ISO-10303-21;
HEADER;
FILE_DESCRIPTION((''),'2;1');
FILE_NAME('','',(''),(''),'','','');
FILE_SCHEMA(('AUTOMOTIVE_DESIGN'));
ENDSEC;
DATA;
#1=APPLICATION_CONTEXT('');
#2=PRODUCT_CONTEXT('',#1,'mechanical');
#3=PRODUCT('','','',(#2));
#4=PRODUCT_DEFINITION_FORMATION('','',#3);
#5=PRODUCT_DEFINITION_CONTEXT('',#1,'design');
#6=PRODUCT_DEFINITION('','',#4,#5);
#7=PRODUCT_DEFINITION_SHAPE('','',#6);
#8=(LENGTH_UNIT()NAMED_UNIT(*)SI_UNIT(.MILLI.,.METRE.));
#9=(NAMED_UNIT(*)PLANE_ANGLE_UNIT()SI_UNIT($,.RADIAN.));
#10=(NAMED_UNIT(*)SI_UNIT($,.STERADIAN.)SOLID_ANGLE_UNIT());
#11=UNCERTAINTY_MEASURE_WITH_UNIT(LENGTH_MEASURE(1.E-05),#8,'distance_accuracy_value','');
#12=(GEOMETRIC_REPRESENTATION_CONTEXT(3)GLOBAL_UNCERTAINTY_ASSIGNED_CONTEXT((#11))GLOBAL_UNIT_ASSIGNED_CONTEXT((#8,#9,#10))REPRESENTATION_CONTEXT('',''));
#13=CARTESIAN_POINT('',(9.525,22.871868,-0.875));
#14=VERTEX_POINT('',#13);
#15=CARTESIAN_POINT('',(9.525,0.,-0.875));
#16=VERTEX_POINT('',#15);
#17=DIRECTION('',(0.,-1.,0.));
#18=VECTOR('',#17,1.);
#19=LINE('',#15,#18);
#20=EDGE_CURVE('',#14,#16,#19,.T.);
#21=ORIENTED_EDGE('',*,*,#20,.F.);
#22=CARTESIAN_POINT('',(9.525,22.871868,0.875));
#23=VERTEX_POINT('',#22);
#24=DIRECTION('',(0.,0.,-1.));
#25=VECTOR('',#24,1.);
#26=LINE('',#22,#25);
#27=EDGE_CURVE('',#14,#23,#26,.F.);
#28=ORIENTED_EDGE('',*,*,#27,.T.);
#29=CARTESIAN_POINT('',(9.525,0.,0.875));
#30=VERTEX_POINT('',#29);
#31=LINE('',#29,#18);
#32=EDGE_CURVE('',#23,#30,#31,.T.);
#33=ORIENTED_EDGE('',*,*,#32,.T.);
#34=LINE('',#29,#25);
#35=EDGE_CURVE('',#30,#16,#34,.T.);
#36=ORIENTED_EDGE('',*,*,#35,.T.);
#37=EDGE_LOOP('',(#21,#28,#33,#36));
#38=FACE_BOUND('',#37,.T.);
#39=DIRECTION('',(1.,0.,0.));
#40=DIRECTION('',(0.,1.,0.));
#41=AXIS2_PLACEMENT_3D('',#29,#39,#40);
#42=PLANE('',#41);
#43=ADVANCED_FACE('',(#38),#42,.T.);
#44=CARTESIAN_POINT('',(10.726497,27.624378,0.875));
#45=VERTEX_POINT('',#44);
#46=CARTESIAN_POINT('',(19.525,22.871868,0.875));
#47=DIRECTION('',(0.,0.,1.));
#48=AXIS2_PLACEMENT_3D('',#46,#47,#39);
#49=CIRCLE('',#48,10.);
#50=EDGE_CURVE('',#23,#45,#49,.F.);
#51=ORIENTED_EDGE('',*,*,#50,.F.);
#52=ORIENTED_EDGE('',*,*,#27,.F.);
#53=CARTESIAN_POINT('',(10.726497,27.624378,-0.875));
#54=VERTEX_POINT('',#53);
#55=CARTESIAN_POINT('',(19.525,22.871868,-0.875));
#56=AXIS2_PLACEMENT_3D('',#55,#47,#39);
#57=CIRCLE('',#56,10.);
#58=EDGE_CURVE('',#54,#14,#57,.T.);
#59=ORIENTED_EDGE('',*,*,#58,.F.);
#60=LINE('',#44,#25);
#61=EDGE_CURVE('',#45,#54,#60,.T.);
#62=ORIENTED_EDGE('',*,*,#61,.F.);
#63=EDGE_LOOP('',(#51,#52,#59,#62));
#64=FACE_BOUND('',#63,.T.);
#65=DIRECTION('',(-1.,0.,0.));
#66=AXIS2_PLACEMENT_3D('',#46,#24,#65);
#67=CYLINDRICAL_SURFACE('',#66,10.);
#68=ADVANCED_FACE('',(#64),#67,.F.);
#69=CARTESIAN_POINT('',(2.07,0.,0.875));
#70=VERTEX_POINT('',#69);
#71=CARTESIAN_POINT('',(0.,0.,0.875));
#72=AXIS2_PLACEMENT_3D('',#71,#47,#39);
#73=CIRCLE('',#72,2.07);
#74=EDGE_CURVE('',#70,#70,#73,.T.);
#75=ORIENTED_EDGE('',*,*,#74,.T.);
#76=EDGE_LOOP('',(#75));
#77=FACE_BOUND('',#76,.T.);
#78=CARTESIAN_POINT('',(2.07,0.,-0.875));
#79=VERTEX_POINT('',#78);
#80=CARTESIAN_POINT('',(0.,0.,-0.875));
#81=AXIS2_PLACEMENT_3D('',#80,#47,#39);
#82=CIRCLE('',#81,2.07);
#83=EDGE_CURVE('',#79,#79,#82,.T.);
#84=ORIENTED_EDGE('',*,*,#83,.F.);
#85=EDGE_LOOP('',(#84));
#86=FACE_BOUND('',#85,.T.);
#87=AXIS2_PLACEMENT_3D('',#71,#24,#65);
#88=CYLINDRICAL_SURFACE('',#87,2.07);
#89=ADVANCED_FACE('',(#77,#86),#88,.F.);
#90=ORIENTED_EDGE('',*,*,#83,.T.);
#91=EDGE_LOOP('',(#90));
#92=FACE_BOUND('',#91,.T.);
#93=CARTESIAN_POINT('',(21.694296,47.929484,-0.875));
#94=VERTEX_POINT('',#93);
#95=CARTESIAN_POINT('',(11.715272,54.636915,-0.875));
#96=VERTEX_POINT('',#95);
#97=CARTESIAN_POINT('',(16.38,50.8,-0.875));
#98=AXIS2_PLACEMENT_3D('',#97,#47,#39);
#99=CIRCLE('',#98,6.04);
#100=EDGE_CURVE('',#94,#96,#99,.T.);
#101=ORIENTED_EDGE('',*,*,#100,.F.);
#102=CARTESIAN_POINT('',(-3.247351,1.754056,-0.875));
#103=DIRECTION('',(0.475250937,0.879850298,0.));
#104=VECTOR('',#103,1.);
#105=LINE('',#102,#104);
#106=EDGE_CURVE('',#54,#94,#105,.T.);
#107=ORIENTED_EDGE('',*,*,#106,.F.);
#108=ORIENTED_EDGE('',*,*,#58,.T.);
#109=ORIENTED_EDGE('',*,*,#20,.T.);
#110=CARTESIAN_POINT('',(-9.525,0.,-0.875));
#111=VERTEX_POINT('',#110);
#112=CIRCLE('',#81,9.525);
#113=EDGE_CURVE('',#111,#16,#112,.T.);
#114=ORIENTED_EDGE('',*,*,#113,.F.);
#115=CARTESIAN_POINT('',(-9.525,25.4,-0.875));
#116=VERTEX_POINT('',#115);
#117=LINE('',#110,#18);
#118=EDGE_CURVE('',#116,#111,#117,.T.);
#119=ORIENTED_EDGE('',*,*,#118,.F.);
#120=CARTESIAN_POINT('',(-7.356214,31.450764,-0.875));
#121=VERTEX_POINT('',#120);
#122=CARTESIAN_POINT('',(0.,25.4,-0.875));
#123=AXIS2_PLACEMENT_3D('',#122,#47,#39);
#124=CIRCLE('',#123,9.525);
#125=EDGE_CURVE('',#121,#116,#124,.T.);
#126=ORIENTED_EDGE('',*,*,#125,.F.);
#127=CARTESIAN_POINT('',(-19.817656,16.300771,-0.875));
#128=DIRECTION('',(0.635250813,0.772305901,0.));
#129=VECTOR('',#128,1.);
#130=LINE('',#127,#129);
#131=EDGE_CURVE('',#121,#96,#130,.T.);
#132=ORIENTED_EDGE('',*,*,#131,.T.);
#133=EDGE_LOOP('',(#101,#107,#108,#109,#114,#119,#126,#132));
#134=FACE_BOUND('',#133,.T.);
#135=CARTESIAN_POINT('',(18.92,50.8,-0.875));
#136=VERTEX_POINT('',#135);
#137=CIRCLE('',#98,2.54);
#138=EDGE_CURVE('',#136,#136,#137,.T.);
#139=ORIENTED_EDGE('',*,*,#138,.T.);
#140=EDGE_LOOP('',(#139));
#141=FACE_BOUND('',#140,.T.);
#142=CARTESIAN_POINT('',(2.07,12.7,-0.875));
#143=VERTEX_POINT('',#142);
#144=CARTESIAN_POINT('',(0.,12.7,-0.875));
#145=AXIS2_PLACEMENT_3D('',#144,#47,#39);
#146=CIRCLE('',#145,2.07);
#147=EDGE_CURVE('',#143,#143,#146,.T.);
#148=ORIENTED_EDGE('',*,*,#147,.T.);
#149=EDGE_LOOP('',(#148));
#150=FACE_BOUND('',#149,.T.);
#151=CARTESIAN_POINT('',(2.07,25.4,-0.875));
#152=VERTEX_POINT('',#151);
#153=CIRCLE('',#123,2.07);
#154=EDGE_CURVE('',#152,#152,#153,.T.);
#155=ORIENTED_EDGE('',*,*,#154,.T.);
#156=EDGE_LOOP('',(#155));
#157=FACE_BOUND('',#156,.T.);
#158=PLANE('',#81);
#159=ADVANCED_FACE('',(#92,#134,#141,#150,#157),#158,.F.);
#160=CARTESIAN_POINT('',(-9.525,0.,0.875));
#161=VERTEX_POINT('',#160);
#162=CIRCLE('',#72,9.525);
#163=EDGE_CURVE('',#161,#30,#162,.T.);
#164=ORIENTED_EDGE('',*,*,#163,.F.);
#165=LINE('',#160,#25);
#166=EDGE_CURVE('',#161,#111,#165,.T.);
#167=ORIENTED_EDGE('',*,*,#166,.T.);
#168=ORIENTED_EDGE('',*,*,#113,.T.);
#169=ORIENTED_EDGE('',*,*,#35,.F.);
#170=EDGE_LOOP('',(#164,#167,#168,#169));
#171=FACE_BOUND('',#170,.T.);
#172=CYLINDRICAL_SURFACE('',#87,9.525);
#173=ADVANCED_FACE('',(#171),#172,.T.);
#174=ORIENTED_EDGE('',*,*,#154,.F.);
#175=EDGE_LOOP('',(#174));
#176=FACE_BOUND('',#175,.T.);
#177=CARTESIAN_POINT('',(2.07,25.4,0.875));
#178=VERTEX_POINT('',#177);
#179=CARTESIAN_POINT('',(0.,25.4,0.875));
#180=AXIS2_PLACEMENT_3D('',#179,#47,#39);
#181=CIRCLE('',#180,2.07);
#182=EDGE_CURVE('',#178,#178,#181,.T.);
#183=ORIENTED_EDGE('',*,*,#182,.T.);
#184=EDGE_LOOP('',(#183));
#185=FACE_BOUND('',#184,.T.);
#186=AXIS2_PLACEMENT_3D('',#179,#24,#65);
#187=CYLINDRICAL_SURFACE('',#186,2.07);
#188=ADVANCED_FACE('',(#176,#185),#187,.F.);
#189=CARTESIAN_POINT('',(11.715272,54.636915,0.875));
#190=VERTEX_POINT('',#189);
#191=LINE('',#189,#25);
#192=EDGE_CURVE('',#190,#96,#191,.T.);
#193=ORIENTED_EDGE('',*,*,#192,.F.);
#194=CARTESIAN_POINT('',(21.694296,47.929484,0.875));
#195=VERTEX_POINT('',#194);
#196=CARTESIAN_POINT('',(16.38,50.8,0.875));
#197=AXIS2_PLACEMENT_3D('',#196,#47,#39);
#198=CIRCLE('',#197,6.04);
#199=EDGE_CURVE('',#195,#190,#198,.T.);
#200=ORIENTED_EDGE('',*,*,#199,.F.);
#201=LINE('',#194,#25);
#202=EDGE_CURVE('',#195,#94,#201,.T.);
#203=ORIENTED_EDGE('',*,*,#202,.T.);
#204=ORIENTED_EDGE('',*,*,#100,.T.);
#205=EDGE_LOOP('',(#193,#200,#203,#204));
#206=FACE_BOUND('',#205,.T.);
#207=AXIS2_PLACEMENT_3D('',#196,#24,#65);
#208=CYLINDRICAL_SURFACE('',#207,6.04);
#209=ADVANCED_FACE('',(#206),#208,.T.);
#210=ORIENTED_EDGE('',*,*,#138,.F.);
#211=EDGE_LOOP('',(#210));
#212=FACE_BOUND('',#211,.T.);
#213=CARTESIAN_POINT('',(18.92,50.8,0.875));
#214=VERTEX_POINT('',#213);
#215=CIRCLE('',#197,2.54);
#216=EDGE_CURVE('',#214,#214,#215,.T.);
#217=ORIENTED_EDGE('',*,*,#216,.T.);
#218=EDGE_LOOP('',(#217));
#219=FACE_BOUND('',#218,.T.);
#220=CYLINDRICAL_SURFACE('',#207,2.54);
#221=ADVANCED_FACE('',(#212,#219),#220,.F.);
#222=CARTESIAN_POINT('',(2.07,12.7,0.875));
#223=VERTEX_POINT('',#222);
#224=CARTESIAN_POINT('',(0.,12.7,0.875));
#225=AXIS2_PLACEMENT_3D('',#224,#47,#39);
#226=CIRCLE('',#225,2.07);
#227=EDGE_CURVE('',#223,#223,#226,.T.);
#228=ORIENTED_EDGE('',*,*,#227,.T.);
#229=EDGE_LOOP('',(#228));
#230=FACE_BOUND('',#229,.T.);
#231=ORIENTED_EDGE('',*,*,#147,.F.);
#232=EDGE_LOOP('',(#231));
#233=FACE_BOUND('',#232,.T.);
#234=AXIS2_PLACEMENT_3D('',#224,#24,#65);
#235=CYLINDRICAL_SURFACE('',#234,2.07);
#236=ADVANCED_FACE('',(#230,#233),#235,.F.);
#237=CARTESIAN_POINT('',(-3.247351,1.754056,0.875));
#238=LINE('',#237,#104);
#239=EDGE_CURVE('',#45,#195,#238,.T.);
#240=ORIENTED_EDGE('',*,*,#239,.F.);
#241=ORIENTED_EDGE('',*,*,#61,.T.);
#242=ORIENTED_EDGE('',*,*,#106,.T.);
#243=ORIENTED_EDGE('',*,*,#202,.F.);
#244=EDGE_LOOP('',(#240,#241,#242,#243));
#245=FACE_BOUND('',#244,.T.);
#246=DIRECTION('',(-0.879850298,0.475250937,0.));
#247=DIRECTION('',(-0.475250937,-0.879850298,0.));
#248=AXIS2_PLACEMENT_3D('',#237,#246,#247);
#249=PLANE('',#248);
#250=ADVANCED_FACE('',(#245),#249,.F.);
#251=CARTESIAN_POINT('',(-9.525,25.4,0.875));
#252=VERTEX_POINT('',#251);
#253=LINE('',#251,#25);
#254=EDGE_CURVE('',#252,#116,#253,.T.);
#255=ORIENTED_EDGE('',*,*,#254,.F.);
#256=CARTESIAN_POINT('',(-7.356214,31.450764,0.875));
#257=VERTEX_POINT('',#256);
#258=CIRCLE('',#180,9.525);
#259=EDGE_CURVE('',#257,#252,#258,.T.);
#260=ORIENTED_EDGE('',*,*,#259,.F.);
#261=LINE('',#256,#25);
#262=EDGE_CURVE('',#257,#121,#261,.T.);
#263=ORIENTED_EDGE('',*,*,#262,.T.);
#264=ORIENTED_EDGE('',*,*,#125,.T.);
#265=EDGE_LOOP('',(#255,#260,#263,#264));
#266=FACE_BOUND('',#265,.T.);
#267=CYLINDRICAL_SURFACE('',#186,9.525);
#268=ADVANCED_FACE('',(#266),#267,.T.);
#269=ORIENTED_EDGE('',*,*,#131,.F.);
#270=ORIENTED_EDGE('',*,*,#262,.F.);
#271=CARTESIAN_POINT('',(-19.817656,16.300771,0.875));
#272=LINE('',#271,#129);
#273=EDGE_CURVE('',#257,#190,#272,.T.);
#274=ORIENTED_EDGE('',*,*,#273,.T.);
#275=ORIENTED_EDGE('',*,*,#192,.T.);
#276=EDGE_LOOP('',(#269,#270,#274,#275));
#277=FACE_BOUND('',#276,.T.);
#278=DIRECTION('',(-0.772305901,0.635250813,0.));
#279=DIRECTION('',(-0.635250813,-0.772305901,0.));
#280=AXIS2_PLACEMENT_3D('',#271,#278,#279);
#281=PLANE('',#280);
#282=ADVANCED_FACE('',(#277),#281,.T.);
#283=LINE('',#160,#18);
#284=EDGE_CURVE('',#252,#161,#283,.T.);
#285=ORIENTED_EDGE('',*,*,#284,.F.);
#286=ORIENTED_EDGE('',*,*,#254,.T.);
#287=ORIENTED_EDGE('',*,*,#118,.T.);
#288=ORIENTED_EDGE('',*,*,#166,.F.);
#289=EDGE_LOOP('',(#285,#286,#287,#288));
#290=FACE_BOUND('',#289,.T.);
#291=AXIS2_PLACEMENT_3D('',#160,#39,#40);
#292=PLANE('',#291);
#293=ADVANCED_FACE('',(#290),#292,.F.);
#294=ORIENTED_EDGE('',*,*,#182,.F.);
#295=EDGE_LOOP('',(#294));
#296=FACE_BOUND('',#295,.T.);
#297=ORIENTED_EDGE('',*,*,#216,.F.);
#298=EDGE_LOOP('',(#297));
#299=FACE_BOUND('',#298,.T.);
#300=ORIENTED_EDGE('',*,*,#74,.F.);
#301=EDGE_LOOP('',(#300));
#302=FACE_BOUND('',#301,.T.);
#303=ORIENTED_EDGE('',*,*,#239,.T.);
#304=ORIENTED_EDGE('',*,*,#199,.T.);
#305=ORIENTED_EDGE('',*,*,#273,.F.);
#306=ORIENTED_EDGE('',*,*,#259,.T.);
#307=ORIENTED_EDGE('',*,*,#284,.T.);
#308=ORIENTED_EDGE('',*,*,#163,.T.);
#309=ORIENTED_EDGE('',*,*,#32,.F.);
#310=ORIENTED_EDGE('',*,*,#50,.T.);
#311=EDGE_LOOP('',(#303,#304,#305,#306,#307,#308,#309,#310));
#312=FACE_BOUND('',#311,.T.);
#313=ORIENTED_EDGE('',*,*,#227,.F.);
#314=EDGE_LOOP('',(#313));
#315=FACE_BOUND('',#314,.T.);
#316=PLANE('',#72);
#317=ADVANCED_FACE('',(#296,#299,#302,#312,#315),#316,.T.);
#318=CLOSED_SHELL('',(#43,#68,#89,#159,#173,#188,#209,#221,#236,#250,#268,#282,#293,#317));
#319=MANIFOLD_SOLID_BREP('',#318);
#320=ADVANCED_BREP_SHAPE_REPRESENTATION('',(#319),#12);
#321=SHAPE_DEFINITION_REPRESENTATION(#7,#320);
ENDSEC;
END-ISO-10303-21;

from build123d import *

# Parameters (mm, degrees)
SKETCH1_R           = 6.04
SKETCH1_R_2         = 2.54
SKETCH1_R_3         = 9.525
SKETCH1_R_4         = 2.07
BOSS_EXTRUDE1_DEPTH = 0.875
FILLET2_R           = 10


with BuildPart() as part:
    # Sketch1 → Boss-Extrude1 (new, symmetric)
    # profile 1 of 5: a face of its own
    with BuildSketch(Plane.XY):
        with Locations((16.38, 50.8)):
            Circle(SKETCH1_R)
        with Locations((16.38, 50.8)):
            Circle(SKETCH1_R_2, mode=Mode.SUBTRACT)
    # profile 2 of 5: a face of its own
    with BuildSketch(Plane.XY):
        with Locations((0, 25.4)):
            Circle(SKETCH1_R_3)
        with Locations((0, 25.4)):
            Circle(SKETCH1_R_4, mode=Mode.SUBTRACT)
    # profile 3 of 5: a face of its own
    with BuildSketch(Plane.XY):
        with BuildLine():
            ThreePointArc((-7.356213705, 31.450763995), (3.213852008, 34.366425167), (9.525, 25.4))
            Line((9.525, 25.4), (21.694295801, 47.929484342))
            ThreePointArc((21.694295801, 47.929484342), (13.010594873, 45.787145615), (11.715272359, 54.636914912))
            Line((11.715272359, 54.636914912), (-7.356213705, 31.450763995))
        make_face()
    # profile 4 of 5: a face of its own
    with BuildSketch(Plane.XY):
        with BuildLine():
            Line((9.525, 0), (9.525, 25.4))
            ThreePointArc((9.525, 25.4), (0, 15.875), (-9.525, 25.4))
            Line((-9.525, 25.4), (-9.525, 0))
            ThreePointArc((-9.525, 0), (0, 9.525), (9.525, 0))
        make_face()
        with Locations((0, 12.7)):
            Circle(SKETCH1_R_4, mode=Mode.SUBTRACT)
    # profile 5 of 5: a face of its own
    with BuildSketch(Plane.XY):
        Circle(SKETCH1_R_3)
        Circle(SKETCH1_R_4, mode=Mode.SUBTRACT)
    extrude(amount=BOSS_EXTRUDE1_DEPTH, both=True)

    # Fillet2
    fillet2_edges = [part.edges().sort_by_distance(p)[0] for p in [
        (9.525, 25.4, 0),
    ]]
    fillet(fillet2_edges, radius=FILLET2_R)


solid = part.part
